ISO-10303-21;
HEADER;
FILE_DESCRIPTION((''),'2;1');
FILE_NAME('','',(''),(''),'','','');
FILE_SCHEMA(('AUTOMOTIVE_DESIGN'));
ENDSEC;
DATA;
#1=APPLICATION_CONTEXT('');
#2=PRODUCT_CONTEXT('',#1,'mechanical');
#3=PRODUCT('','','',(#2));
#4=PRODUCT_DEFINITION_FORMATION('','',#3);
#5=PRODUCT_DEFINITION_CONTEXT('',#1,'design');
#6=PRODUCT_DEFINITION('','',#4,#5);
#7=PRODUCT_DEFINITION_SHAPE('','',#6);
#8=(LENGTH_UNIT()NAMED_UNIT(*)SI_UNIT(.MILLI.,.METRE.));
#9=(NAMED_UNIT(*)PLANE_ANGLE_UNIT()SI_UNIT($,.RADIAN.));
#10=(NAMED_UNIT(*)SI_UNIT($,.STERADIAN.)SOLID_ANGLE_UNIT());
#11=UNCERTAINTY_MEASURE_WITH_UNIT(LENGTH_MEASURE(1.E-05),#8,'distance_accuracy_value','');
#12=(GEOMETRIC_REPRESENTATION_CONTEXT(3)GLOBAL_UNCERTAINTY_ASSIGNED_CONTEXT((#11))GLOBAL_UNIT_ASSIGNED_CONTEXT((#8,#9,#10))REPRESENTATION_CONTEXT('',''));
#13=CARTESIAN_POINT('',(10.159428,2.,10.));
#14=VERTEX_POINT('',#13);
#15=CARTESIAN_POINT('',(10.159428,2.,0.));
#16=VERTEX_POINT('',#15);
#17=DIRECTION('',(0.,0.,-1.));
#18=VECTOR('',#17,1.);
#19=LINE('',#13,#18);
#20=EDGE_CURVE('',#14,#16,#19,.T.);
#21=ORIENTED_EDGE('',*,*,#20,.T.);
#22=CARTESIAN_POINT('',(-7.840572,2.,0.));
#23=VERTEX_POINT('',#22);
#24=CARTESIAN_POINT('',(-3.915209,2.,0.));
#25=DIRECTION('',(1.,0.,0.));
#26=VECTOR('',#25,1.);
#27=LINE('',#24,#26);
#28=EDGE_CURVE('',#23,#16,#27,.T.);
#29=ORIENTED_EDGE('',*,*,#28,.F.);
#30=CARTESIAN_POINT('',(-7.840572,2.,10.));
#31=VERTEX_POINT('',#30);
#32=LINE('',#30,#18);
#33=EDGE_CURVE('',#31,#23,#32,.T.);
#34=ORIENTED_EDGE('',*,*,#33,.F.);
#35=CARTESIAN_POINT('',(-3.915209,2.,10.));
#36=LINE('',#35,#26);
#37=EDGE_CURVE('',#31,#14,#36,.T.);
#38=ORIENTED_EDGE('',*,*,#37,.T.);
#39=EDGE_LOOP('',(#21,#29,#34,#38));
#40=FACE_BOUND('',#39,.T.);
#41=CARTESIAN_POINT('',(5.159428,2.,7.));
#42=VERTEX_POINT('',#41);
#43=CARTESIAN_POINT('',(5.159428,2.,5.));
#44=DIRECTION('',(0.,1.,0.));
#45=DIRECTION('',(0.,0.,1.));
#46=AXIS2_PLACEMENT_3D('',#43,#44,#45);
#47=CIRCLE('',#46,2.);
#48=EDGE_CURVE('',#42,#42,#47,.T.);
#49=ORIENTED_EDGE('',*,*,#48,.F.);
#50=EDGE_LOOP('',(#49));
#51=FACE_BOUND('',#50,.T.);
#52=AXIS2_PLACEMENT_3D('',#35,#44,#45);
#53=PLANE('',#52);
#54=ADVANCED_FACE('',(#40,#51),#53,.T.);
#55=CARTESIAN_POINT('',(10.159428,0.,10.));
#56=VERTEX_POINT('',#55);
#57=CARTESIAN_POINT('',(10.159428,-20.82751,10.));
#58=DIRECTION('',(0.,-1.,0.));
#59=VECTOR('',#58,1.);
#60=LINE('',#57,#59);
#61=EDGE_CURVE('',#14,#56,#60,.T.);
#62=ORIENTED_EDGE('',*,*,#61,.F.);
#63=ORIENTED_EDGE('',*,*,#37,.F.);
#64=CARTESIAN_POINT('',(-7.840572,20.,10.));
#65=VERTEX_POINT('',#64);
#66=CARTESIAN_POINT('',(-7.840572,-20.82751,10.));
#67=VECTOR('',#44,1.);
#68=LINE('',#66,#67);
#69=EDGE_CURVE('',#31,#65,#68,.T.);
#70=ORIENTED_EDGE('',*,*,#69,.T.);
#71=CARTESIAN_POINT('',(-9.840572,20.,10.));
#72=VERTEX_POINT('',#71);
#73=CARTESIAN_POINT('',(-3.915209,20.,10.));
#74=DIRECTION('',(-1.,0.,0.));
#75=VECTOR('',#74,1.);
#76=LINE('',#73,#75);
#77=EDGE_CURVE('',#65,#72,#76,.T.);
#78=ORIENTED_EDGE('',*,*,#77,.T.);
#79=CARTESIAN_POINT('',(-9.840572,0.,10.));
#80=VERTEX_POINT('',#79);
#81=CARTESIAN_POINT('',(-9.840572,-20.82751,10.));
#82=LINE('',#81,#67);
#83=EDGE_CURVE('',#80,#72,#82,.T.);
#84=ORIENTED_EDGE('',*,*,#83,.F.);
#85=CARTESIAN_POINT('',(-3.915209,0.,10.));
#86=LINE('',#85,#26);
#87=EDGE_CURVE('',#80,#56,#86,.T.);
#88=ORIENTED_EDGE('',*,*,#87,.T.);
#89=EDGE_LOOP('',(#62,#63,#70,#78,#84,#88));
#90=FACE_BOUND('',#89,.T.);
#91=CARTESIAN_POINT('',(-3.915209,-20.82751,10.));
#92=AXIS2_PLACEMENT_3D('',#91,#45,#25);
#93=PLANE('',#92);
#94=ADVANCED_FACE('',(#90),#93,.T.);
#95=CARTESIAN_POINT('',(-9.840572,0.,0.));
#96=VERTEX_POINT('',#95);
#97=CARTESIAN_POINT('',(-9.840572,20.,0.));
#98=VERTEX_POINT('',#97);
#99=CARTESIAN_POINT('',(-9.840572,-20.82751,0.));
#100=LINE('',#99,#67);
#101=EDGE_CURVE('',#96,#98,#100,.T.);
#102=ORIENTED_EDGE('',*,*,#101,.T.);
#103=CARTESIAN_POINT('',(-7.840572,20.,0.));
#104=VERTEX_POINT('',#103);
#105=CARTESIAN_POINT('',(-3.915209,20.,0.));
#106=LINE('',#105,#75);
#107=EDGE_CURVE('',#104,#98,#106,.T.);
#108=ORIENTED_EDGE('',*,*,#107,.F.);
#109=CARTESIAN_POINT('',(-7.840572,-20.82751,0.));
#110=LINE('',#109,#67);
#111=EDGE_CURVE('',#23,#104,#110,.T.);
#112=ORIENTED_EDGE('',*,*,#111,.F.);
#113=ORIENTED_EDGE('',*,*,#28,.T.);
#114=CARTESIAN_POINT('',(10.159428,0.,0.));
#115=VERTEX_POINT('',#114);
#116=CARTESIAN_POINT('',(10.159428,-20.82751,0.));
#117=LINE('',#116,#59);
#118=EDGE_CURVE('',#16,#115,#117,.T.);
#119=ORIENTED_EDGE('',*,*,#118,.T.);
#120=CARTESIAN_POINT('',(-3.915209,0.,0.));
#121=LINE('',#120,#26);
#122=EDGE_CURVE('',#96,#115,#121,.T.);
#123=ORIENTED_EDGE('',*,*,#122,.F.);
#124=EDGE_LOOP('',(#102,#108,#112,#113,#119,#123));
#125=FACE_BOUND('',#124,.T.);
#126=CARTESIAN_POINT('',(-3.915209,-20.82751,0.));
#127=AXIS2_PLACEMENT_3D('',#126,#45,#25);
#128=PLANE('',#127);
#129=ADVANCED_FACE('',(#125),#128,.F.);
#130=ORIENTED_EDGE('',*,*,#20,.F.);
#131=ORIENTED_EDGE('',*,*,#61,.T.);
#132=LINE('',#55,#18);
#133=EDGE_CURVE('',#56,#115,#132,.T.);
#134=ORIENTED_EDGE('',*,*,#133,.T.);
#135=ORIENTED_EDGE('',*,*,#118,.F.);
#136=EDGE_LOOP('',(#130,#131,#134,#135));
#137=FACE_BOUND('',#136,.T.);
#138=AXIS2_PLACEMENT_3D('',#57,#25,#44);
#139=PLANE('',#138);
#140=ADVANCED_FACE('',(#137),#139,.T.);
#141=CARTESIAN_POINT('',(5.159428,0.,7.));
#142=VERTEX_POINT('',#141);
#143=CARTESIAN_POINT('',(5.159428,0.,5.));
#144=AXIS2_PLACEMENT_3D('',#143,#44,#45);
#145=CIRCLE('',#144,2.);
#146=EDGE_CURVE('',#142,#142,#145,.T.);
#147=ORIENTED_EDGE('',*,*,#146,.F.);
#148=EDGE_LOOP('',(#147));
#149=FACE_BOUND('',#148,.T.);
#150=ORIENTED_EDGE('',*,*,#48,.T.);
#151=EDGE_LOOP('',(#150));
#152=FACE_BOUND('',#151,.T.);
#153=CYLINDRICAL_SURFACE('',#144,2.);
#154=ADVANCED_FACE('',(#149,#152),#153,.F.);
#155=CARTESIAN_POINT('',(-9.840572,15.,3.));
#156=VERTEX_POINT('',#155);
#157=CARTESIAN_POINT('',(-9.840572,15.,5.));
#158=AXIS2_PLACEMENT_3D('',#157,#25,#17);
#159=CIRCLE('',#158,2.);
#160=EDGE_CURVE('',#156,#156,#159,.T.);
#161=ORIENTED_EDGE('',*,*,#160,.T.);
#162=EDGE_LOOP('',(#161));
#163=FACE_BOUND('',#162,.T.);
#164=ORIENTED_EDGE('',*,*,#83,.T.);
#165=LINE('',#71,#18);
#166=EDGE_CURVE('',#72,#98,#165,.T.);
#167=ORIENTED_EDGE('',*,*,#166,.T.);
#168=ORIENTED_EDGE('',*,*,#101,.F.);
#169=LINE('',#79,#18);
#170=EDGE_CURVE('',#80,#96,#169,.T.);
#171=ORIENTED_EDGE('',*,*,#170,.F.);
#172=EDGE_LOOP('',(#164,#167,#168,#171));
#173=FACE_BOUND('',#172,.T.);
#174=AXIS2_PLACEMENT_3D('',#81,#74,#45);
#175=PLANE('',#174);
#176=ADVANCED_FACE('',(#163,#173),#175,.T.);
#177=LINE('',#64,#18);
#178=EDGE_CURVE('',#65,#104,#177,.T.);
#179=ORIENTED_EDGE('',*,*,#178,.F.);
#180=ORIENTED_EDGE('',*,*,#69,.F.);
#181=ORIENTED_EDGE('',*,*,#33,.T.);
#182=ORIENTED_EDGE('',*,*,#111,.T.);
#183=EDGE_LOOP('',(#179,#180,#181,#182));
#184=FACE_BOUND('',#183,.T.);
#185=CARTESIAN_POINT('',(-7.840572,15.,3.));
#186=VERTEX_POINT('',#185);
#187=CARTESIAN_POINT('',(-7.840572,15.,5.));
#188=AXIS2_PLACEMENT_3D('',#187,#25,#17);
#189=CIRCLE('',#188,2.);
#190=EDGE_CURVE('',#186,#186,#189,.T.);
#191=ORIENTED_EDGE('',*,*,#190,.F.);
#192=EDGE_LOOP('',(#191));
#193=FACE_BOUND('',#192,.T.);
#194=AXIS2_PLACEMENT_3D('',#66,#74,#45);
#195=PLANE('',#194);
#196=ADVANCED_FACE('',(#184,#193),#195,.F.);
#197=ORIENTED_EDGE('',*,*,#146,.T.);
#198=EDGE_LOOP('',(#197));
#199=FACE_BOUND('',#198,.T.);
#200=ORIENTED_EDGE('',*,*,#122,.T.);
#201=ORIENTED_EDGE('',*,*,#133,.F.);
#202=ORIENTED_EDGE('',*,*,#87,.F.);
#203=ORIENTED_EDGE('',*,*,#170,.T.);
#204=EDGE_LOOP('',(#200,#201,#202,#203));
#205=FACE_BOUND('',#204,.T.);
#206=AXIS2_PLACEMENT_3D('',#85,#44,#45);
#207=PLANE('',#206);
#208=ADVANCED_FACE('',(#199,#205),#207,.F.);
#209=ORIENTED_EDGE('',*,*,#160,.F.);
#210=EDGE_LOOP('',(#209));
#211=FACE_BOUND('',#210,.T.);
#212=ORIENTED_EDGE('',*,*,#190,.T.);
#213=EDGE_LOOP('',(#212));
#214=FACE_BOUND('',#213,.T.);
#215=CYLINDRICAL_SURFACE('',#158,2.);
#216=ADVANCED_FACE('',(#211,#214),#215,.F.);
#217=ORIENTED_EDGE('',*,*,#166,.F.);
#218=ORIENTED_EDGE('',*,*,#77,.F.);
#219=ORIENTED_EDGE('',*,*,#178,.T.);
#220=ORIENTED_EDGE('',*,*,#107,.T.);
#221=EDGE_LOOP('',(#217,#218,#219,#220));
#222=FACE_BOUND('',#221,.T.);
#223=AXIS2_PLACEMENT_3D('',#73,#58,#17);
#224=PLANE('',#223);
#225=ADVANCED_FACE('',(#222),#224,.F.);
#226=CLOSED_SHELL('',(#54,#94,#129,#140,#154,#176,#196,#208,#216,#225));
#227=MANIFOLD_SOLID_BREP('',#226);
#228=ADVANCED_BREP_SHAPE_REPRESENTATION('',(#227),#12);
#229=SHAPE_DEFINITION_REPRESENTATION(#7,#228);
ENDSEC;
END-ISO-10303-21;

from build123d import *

# Parameters (mm, degrees)
SKETCH1_W           = 2
SKETCH1_H           = 18
SKETCH1_H_2         = 2
SKETCH1_W_2         = 18
BOSS_EXTRUDE2_DEPTH = 10
SKETCH3_R           = 2
CUT_EXTRUDE1_DEPTH  = 3
SKETCH4_R           = 2
CUT_EXTRUDE2_DEPTH  = 3


with BuildPart() as part:
    # Sketch1 → Boss-Extrude2 (new body)
    with BuildSketch(Plane.XY):
        with Locations((-8.840572317, 11)):
            Rectangle(SKETCH1_W, SKETCH1_H)
        with Locations((-8.840572317, 1)):
            Rectangle(SKETCH1_W, SKETCH1_H_2)
        with Locations((1.159427683, 1)):
            Rectangle(SKETCH1_W_2, SKETCH1_H_2)
    extrude(amount=BOSS_EXTRUDE2_DEPTH)

    # Sketch3 → Cut-Extrude1 (cut, through all)
    with BuildSketch(Plane(origin=(0, 2, 0), x_dir=(1, 0, 0), z_dir=(0, 1, 0))):
        with Locations((5.159427683, -5)):
            Circle(SKETCH3_R)
    extrude(amount=-CUT_EXTRUDE1_DEPTH, mode=Mode.SUBTRACT)

    # Sketch4 → Cut-Extrude2 (cut, through all)
    with BuildSketch(Plane(origin=(-7.840572317, 0, 0), x_dir=(0, 0, -1), z_dir=(1, 0, 0))):
        with Locations((-5, 15)):
            Circle(SKETCH4_R)
    extrude(amount=-CUT_EXTRUDE2_DEPTH, mode=Mode.SUBTRACT)


solid = part.part
